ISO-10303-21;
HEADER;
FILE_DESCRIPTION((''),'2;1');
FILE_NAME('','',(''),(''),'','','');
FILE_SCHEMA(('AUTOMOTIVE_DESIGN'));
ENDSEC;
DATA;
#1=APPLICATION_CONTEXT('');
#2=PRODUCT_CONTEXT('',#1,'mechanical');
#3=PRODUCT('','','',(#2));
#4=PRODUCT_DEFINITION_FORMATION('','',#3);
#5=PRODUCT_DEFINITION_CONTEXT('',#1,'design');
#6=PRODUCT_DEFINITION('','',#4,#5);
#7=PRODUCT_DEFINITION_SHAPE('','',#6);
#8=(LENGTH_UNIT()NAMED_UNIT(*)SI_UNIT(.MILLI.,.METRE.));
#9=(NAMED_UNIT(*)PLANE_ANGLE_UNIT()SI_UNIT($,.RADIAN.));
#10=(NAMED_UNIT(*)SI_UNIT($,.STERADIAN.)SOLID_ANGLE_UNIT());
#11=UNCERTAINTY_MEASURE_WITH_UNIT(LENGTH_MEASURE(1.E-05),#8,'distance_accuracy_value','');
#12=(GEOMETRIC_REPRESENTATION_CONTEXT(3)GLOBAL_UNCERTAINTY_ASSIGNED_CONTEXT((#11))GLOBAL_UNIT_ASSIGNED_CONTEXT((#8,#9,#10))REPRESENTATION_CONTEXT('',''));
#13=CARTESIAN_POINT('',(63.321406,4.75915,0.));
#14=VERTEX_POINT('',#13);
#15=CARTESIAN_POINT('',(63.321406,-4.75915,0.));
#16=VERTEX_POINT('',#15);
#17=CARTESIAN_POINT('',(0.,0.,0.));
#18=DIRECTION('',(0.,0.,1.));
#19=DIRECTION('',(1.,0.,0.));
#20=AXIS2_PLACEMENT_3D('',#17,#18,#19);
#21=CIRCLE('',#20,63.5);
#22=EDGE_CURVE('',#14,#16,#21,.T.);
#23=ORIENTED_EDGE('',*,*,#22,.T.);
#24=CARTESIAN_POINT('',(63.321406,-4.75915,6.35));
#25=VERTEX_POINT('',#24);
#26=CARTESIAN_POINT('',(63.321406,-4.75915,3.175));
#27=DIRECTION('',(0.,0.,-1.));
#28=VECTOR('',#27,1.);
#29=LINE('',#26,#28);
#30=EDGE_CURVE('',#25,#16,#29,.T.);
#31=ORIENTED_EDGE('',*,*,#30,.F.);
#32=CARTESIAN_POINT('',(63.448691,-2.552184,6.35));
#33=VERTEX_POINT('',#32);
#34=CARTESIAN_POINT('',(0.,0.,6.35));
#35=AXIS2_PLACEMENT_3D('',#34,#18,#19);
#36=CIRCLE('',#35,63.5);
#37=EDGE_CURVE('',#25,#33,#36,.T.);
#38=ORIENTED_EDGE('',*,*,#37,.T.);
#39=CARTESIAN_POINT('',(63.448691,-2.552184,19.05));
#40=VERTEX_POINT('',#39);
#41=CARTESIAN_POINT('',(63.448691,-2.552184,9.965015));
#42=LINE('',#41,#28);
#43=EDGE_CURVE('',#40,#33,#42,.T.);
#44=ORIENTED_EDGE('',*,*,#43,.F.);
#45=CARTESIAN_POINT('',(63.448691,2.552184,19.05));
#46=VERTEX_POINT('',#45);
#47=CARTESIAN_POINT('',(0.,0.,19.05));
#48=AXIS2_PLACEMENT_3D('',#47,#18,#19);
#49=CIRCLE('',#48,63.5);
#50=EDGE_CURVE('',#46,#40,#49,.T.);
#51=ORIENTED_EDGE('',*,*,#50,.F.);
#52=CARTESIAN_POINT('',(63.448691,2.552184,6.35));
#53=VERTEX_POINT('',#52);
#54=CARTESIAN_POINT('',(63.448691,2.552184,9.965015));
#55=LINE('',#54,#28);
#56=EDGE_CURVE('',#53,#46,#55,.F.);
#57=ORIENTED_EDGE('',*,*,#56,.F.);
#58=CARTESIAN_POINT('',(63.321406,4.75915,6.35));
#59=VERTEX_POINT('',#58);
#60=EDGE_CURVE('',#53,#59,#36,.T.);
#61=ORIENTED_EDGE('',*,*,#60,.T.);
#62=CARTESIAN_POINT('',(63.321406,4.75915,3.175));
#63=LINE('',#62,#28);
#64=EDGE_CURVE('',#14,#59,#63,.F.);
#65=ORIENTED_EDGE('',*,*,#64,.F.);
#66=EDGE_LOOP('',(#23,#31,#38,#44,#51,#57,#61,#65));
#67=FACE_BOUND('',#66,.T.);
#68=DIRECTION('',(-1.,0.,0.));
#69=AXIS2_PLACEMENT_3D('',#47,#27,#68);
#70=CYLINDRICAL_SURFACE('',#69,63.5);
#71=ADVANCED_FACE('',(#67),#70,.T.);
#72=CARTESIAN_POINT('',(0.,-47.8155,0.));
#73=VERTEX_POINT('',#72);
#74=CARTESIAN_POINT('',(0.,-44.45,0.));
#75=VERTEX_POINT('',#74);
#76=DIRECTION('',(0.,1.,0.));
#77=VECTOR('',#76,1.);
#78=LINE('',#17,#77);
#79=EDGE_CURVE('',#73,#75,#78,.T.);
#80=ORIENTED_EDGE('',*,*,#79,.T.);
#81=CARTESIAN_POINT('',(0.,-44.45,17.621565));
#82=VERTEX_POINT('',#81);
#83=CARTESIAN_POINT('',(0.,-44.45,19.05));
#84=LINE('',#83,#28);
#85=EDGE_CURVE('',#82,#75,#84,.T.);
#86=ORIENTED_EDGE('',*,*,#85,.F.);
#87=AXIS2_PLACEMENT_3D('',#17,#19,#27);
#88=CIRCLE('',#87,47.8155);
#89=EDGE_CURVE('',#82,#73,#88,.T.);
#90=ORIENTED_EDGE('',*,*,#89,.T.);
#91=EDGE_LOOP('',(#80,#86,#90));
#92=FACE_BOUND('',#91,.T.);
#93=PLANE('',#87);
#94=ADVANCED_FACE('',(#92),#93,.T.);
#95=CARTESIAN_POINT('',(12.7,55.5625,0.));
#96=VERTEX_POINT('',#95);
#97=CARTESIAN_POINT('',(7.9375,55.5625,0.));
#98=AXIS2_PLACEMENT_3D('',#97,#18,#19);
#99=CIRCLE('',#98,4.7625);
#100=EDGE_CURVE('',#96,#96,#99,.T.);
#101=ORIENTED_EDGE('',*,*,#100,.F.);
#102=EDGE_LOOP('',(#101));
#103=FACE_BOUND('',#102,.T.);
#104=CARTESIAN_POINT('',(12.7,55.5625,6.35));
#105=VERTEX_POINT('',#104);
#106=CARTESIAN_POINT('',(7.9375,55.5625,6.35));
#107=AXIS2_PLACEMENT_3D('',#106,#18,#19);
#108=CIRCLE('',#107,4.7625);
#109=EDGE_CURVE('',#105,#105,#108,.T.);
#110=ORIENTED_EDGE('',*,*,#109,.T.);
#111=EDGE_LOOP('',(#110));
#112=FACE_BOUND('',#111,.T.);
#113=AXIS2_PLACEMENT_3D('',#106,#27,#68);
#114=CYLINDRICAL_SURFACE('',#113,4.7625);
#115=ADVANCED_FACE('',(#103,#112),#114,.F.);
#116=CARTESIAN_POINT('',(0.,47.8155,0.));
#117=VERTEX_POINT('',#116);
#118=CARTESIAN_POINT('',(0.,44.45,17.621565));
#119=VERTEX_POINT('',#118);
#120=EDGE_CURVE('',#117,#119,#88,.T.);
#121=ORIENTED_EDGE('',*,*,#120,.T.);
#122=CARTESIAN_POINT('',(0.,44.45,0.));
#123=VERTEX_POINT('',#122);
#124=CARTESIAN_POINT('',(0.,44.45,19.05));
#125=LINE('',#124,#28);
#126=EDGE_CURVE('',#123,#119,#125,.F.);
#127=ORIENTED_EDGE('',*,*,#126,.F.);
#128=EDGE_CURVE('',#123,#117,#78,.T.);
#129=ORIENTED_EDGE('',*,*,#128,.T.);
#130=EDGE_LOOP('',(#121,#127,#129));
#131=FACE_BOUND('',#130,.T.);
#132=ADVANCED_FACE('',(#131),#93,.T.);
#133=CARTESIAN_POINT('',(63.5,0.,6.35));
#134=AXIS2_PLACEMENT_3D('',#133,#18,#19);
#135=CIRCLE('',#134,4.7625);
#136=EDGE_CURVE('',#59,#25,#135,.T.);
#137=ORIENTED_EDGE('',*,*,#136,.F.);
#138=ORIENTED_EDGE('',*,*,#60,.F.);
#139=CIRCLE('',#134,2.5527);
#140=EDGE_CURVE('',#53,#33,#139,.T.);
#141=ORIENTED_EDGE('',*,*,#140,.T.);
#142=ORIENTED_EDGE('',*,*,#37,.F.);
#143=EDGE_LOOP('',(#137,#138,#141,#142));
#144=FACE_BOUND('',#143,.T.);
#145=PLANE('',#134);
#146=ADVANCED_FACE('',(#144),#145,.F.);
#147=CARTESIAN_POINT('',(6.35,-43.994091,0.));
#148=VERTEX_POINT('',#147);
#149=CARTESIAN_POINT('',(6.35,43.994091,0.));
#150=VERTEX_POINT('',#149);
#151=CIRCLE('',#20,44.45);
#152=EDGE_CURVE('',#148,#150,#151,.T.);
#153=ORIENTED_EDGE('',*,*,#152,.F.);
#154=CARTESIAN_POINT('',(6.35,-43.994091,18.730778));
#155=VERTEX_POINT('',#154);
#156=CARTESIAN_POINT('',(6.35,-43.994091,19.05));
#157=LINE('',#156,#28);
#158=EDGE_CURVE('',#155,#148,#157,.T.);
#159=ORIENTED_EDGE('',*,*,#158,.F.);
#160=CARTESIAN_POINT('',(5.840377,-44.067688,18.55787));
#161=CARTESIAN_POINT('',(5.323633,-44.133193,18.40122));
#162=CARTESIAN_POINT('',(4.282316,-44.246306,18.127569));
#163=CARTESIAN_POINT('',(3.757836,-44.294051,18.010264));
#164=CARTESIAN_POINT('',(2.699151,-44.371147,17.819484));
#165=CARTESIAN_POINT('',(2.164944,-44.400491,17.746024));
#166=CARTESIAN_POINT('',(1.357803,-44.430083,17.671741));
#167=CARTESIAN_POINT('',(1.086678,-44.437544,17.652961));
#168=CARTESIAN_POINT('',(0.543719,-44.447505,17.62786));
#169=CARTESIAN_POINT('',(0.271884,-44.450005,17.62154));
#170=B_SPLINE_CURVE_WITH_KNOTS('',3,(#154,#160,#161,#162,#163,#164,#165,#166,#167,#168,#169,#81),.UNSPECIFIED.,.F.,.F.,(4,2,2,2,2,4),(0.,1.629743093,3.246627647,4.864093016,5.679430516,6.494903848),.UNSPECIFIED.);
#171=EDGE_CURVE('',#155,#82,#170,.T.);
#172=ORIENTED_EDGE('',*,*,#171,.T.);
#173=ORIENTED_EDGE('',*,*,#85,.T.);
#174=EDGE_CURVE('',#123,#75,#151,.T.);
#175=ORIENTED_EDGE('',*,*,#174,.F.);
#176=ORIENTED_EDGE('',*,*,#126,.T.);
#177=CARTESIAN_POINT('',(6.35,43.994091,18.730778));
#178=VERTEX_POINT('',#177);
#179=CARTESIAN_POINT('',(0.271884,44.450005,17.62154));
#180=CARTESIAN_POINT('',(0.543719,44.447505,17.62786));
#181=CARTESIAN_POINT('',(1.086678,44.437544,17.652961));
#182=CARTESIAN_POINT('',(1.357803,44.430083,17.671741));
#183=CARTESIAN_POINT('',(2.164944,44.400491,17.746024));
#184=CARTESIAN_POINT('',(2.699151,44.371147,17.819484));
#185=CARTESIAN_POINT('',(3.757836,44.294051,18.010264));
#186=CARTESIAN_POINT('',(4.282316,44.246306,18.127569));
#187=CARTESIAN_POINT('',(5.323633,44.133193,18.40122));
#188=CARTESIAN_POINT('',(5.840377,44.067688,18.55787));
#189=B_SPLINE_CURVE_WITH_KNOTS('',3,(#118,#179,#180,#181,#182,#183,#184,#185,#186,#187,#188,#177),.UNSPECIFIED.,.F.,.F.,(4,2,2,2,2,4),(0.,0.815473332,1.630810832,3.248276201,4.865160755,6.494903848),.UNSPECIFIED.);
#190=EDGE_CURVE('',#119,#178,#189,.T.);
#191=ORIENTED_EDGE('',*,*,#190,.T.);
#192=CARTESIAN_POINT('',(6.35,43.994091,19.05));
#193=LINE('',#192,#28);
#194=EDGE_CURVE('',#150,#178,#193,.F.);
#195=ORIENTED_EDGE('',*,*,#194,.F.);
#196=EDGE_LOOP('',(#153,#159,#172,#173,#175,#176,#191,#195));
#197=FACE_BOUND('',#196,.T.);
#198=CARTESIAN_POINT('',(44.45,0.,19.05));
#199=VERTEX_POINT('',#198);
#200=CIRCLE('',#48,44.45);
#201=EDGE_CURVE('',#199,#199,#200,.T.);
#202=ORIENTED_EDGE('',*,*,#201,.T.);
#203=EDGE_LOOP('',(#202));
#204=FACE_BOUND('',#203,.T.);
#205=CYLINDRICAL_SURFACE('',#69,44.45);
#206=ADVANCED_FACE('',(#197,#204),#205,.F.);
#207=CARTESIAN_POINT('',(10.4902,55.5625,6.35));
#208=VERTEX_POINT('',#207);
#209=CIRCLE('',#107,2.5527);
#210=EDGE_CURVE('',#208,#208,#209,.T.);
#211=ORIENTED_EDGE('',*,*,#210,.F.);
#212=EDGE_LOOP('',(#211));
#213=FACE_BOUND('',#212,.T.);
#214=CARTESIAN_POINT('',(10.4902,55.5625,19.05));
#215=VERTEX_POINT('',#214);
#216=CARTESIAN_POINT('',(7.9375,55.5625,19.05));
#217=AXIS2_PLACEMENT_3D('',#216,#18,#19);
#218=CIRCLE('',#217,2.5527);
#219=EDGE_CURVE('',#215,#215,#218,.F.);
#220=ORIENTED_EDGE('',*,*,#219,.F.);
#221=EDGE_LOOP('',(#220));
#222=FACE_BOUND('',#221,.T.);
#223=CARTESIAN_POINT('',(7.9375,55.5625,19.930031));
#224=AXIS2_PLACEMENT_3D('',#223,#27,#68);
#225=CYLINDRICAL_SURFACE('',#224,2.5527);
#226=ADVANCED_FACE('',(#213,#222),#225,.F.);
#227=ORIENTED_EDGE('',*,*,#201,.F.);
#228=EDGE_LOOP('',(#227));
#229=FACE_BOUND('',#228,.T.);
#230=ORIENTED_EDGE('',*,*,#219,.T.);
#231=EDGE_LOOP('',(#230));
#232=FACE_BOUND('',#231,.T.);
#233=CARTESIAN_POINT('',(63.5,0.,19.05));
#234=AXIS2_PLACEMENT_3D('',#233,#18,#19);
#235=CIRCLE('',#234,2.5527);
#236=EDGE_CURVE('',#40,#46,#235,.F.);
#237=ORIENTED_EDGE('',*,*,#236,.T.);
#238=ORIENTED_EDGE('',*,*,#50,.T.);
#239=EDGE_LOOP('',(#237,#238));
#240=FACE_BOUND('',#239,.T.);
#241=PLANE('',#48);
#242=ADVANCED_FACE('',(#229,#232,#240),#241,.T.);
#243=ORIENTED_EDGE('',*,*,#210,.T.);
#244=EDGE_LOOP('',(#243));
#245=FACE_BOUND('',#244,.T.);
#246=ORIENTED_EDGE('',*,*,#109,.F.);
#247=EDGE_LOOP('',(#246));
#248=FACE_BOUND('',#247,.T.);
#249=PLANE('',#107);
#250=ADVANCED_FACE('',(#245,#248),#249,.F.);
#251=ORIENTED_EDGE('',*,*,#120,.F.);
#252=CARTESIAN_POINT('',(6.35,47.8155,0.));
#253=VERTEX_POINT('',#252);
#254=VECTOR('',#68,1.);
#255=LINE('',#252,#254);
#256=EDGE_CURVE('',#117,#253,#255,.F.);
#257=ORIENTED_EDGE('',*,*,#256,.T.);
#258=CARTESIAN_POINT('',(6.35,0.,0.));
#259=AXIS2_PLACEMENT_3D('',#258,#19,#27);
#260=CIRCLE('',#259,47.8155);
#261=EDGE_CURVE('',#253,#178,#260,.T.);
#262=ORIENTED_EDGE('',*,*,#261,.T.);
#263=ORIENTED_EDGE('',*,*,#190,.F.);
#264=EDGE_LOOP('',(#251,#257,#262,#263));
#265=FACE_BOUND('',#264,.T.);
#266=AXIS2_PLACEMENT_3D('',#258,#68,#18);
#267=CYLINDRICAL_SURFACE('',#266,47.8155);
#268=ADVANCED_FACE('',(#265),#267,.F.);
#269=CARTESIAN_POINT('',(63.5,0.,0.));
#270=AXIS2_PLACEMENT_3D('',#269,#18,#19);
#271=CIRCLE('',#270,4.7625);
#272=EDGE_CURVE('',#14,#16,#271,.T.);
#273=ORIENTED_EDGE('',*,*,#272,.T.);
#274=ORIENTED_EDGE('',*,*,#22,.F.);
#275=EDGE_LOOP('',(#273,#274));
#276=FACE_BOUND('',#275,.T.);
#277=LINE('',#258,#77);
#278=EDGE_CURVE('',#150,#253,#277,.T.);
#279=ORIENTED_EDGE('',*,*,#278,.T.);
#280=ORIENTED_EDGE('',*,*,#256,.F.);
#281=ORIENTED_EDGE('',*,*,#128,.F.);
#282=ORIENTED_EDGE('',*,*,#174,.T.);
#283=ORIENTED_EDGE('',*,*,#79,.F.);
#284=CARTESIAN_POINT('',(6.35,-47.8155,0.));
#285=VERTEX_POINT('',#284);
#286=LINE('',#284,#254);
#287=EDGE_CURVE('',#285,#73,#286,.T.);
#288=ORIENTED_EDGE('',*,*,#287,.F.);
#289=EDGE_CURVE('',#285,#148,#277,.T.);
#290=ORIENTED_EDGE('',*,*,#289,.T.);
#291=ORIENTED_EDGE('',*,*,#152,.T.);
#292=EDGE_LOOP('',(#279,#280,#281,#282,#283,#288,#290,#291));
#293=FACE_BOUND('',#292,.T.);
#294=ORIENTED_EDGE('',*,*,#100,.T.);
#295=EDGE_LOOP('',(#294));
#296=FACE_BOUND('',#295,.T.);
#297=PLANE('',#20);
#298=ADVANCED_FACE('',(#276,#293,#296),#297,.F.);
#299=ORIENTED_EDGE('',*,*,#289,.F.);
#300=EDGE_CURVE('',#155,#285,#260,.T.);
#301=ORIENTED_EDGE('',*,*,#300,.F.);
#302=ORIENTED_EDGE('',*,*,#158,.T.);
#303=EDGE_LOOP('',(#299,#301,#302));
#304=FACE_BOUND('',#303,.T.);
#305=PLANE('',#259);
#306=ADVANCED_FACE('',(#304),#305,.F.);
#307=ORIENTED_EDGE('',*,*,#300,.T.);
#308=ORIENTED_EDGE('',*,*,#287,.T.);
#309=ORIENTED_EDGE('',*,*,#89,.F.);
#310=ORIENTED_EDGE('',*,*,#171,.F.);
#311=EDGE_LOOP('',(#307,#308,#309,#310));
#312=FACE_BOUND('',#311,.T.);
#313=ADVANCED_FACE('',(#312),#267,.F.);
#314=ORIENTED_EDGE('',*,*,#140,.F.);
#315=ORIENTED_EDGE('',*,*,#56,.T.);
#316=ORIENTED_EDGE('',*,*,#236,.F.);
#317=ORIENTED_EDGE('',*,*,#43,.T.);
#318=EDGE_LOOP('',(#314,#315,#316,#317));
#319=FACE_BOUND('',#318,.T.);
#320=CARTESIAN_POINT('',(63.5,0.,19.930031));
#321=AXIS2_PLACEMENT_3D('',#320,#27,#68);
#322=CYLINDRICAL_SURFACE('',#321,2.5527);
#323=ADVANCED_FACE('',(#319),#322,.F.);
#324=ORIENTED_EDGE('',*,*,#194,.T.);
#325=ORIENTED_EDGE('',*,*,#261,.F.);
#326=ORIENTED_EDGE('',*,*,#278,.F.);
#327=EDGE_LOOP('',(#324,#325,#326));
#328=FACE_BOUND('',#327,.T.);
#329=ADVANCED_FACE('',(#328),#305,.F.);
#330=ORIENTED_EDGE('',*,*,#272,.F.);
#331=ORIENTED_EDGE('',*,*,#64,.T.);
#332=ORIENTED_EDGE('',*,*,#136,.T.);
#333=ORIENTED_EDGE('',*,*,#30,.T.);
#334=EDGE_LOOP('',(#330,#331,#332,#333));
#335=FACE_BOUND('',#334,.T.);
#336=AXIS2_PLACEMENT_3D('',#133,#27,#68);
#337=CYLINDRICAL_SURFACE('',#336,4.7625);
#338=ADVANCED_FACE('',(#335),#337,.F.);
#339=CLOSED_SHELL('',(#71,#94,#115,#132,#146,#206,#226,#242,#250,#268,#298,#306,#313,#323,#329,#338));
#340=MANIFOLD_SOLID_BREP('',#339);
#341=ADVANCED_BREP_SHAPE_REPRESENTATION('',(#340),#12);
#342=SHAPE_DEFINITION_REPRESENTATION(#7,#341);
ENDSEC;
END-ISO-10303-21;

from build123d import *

# Parameters (mm, degrees)
SKETCH1_R           = 63.5
BOSS_EXTRUDE1_DEPTH = 19.05
SKETCH2_R           = 44.45
CUT_EXTRUDE1_DEPTH  = 92.800885072
SKETCH3_R           = 47.8155
CUT_EXTRUDE2_DEPTH  = 6.35
SKETCH4_R           = 2.5527
CUT_EXTRUDE3_DEPTH  = 92.800885093
SKETCH5_R           = 4.7625
CUT_EXTRUDE4_DEPTH  = 6.35


with BuildPart() as part:
    # Sketch1 → Boss-Extrude1 (new body)
    with BuildSketch(Plane.XY):
        Circle(SKETCH1_R)
    extrude(amount=BOSS_EXTRUDE1_DEPTH)

    # Sketch2 → Cut-Extrude1 (cut, through all)
    with BuildSketch(Plane.XY):
        Circle(SKETCH2_R)
    extrude(amount=CUT_EXTRUDE1_DEPTH, mode=Mode.SUBTRACT)

    # Sketch3 → Cut-Extrude2 (cut)
    with BuildSketch(Plane(origin=(0, 0, 0), x_dir=(0, 0, -1), z_dir=(1, 0, 0))):
        Circle(SKETCH3_R)
    extrude(amount=CUT_EXTRUDE2_DEPTH, mode=Mode.SUBTRACT)

    # Sketch4 → Cut-Extrude3 (cut, through all)
    with BuildSketch(Plane.XY):
        with Locations((63.5, 111.125)):
            Circle(SKETCH4_R)
        with Locations((7.9375, 55.5625)):
            Circle(SKETCH4_R)
        with Locations((63.5, 0)):
            Circle(SKETCH4_R)
        with Locations((119.0625, 55.5625)):
            Circle(SKETCH4_R)
    extrude(amount=CUT_EXTRUDE3_DEPTH, mode=Mode.SUBTRACT)

    # Sketch5 → Cut-Extrude4 (cut)
    with BuildSketch(Plane.XY):
        with Locations((63.5, 111.125)):
            Circle(SKETCH5_R)
        with Locations((7.9375, 55.5625)):
            Circle(SKETCH5_R)
        with Locations((63.5, 0)):
            Circle(SKETCH5_R)
        with Locations((119.0625, 55.5625)):
            Circle(SKETCH5_R)
    extrude(amount=CUT_EXTRUDE4_DEPTH, mode=Mode.SUBTRACT)


solid = part.part
